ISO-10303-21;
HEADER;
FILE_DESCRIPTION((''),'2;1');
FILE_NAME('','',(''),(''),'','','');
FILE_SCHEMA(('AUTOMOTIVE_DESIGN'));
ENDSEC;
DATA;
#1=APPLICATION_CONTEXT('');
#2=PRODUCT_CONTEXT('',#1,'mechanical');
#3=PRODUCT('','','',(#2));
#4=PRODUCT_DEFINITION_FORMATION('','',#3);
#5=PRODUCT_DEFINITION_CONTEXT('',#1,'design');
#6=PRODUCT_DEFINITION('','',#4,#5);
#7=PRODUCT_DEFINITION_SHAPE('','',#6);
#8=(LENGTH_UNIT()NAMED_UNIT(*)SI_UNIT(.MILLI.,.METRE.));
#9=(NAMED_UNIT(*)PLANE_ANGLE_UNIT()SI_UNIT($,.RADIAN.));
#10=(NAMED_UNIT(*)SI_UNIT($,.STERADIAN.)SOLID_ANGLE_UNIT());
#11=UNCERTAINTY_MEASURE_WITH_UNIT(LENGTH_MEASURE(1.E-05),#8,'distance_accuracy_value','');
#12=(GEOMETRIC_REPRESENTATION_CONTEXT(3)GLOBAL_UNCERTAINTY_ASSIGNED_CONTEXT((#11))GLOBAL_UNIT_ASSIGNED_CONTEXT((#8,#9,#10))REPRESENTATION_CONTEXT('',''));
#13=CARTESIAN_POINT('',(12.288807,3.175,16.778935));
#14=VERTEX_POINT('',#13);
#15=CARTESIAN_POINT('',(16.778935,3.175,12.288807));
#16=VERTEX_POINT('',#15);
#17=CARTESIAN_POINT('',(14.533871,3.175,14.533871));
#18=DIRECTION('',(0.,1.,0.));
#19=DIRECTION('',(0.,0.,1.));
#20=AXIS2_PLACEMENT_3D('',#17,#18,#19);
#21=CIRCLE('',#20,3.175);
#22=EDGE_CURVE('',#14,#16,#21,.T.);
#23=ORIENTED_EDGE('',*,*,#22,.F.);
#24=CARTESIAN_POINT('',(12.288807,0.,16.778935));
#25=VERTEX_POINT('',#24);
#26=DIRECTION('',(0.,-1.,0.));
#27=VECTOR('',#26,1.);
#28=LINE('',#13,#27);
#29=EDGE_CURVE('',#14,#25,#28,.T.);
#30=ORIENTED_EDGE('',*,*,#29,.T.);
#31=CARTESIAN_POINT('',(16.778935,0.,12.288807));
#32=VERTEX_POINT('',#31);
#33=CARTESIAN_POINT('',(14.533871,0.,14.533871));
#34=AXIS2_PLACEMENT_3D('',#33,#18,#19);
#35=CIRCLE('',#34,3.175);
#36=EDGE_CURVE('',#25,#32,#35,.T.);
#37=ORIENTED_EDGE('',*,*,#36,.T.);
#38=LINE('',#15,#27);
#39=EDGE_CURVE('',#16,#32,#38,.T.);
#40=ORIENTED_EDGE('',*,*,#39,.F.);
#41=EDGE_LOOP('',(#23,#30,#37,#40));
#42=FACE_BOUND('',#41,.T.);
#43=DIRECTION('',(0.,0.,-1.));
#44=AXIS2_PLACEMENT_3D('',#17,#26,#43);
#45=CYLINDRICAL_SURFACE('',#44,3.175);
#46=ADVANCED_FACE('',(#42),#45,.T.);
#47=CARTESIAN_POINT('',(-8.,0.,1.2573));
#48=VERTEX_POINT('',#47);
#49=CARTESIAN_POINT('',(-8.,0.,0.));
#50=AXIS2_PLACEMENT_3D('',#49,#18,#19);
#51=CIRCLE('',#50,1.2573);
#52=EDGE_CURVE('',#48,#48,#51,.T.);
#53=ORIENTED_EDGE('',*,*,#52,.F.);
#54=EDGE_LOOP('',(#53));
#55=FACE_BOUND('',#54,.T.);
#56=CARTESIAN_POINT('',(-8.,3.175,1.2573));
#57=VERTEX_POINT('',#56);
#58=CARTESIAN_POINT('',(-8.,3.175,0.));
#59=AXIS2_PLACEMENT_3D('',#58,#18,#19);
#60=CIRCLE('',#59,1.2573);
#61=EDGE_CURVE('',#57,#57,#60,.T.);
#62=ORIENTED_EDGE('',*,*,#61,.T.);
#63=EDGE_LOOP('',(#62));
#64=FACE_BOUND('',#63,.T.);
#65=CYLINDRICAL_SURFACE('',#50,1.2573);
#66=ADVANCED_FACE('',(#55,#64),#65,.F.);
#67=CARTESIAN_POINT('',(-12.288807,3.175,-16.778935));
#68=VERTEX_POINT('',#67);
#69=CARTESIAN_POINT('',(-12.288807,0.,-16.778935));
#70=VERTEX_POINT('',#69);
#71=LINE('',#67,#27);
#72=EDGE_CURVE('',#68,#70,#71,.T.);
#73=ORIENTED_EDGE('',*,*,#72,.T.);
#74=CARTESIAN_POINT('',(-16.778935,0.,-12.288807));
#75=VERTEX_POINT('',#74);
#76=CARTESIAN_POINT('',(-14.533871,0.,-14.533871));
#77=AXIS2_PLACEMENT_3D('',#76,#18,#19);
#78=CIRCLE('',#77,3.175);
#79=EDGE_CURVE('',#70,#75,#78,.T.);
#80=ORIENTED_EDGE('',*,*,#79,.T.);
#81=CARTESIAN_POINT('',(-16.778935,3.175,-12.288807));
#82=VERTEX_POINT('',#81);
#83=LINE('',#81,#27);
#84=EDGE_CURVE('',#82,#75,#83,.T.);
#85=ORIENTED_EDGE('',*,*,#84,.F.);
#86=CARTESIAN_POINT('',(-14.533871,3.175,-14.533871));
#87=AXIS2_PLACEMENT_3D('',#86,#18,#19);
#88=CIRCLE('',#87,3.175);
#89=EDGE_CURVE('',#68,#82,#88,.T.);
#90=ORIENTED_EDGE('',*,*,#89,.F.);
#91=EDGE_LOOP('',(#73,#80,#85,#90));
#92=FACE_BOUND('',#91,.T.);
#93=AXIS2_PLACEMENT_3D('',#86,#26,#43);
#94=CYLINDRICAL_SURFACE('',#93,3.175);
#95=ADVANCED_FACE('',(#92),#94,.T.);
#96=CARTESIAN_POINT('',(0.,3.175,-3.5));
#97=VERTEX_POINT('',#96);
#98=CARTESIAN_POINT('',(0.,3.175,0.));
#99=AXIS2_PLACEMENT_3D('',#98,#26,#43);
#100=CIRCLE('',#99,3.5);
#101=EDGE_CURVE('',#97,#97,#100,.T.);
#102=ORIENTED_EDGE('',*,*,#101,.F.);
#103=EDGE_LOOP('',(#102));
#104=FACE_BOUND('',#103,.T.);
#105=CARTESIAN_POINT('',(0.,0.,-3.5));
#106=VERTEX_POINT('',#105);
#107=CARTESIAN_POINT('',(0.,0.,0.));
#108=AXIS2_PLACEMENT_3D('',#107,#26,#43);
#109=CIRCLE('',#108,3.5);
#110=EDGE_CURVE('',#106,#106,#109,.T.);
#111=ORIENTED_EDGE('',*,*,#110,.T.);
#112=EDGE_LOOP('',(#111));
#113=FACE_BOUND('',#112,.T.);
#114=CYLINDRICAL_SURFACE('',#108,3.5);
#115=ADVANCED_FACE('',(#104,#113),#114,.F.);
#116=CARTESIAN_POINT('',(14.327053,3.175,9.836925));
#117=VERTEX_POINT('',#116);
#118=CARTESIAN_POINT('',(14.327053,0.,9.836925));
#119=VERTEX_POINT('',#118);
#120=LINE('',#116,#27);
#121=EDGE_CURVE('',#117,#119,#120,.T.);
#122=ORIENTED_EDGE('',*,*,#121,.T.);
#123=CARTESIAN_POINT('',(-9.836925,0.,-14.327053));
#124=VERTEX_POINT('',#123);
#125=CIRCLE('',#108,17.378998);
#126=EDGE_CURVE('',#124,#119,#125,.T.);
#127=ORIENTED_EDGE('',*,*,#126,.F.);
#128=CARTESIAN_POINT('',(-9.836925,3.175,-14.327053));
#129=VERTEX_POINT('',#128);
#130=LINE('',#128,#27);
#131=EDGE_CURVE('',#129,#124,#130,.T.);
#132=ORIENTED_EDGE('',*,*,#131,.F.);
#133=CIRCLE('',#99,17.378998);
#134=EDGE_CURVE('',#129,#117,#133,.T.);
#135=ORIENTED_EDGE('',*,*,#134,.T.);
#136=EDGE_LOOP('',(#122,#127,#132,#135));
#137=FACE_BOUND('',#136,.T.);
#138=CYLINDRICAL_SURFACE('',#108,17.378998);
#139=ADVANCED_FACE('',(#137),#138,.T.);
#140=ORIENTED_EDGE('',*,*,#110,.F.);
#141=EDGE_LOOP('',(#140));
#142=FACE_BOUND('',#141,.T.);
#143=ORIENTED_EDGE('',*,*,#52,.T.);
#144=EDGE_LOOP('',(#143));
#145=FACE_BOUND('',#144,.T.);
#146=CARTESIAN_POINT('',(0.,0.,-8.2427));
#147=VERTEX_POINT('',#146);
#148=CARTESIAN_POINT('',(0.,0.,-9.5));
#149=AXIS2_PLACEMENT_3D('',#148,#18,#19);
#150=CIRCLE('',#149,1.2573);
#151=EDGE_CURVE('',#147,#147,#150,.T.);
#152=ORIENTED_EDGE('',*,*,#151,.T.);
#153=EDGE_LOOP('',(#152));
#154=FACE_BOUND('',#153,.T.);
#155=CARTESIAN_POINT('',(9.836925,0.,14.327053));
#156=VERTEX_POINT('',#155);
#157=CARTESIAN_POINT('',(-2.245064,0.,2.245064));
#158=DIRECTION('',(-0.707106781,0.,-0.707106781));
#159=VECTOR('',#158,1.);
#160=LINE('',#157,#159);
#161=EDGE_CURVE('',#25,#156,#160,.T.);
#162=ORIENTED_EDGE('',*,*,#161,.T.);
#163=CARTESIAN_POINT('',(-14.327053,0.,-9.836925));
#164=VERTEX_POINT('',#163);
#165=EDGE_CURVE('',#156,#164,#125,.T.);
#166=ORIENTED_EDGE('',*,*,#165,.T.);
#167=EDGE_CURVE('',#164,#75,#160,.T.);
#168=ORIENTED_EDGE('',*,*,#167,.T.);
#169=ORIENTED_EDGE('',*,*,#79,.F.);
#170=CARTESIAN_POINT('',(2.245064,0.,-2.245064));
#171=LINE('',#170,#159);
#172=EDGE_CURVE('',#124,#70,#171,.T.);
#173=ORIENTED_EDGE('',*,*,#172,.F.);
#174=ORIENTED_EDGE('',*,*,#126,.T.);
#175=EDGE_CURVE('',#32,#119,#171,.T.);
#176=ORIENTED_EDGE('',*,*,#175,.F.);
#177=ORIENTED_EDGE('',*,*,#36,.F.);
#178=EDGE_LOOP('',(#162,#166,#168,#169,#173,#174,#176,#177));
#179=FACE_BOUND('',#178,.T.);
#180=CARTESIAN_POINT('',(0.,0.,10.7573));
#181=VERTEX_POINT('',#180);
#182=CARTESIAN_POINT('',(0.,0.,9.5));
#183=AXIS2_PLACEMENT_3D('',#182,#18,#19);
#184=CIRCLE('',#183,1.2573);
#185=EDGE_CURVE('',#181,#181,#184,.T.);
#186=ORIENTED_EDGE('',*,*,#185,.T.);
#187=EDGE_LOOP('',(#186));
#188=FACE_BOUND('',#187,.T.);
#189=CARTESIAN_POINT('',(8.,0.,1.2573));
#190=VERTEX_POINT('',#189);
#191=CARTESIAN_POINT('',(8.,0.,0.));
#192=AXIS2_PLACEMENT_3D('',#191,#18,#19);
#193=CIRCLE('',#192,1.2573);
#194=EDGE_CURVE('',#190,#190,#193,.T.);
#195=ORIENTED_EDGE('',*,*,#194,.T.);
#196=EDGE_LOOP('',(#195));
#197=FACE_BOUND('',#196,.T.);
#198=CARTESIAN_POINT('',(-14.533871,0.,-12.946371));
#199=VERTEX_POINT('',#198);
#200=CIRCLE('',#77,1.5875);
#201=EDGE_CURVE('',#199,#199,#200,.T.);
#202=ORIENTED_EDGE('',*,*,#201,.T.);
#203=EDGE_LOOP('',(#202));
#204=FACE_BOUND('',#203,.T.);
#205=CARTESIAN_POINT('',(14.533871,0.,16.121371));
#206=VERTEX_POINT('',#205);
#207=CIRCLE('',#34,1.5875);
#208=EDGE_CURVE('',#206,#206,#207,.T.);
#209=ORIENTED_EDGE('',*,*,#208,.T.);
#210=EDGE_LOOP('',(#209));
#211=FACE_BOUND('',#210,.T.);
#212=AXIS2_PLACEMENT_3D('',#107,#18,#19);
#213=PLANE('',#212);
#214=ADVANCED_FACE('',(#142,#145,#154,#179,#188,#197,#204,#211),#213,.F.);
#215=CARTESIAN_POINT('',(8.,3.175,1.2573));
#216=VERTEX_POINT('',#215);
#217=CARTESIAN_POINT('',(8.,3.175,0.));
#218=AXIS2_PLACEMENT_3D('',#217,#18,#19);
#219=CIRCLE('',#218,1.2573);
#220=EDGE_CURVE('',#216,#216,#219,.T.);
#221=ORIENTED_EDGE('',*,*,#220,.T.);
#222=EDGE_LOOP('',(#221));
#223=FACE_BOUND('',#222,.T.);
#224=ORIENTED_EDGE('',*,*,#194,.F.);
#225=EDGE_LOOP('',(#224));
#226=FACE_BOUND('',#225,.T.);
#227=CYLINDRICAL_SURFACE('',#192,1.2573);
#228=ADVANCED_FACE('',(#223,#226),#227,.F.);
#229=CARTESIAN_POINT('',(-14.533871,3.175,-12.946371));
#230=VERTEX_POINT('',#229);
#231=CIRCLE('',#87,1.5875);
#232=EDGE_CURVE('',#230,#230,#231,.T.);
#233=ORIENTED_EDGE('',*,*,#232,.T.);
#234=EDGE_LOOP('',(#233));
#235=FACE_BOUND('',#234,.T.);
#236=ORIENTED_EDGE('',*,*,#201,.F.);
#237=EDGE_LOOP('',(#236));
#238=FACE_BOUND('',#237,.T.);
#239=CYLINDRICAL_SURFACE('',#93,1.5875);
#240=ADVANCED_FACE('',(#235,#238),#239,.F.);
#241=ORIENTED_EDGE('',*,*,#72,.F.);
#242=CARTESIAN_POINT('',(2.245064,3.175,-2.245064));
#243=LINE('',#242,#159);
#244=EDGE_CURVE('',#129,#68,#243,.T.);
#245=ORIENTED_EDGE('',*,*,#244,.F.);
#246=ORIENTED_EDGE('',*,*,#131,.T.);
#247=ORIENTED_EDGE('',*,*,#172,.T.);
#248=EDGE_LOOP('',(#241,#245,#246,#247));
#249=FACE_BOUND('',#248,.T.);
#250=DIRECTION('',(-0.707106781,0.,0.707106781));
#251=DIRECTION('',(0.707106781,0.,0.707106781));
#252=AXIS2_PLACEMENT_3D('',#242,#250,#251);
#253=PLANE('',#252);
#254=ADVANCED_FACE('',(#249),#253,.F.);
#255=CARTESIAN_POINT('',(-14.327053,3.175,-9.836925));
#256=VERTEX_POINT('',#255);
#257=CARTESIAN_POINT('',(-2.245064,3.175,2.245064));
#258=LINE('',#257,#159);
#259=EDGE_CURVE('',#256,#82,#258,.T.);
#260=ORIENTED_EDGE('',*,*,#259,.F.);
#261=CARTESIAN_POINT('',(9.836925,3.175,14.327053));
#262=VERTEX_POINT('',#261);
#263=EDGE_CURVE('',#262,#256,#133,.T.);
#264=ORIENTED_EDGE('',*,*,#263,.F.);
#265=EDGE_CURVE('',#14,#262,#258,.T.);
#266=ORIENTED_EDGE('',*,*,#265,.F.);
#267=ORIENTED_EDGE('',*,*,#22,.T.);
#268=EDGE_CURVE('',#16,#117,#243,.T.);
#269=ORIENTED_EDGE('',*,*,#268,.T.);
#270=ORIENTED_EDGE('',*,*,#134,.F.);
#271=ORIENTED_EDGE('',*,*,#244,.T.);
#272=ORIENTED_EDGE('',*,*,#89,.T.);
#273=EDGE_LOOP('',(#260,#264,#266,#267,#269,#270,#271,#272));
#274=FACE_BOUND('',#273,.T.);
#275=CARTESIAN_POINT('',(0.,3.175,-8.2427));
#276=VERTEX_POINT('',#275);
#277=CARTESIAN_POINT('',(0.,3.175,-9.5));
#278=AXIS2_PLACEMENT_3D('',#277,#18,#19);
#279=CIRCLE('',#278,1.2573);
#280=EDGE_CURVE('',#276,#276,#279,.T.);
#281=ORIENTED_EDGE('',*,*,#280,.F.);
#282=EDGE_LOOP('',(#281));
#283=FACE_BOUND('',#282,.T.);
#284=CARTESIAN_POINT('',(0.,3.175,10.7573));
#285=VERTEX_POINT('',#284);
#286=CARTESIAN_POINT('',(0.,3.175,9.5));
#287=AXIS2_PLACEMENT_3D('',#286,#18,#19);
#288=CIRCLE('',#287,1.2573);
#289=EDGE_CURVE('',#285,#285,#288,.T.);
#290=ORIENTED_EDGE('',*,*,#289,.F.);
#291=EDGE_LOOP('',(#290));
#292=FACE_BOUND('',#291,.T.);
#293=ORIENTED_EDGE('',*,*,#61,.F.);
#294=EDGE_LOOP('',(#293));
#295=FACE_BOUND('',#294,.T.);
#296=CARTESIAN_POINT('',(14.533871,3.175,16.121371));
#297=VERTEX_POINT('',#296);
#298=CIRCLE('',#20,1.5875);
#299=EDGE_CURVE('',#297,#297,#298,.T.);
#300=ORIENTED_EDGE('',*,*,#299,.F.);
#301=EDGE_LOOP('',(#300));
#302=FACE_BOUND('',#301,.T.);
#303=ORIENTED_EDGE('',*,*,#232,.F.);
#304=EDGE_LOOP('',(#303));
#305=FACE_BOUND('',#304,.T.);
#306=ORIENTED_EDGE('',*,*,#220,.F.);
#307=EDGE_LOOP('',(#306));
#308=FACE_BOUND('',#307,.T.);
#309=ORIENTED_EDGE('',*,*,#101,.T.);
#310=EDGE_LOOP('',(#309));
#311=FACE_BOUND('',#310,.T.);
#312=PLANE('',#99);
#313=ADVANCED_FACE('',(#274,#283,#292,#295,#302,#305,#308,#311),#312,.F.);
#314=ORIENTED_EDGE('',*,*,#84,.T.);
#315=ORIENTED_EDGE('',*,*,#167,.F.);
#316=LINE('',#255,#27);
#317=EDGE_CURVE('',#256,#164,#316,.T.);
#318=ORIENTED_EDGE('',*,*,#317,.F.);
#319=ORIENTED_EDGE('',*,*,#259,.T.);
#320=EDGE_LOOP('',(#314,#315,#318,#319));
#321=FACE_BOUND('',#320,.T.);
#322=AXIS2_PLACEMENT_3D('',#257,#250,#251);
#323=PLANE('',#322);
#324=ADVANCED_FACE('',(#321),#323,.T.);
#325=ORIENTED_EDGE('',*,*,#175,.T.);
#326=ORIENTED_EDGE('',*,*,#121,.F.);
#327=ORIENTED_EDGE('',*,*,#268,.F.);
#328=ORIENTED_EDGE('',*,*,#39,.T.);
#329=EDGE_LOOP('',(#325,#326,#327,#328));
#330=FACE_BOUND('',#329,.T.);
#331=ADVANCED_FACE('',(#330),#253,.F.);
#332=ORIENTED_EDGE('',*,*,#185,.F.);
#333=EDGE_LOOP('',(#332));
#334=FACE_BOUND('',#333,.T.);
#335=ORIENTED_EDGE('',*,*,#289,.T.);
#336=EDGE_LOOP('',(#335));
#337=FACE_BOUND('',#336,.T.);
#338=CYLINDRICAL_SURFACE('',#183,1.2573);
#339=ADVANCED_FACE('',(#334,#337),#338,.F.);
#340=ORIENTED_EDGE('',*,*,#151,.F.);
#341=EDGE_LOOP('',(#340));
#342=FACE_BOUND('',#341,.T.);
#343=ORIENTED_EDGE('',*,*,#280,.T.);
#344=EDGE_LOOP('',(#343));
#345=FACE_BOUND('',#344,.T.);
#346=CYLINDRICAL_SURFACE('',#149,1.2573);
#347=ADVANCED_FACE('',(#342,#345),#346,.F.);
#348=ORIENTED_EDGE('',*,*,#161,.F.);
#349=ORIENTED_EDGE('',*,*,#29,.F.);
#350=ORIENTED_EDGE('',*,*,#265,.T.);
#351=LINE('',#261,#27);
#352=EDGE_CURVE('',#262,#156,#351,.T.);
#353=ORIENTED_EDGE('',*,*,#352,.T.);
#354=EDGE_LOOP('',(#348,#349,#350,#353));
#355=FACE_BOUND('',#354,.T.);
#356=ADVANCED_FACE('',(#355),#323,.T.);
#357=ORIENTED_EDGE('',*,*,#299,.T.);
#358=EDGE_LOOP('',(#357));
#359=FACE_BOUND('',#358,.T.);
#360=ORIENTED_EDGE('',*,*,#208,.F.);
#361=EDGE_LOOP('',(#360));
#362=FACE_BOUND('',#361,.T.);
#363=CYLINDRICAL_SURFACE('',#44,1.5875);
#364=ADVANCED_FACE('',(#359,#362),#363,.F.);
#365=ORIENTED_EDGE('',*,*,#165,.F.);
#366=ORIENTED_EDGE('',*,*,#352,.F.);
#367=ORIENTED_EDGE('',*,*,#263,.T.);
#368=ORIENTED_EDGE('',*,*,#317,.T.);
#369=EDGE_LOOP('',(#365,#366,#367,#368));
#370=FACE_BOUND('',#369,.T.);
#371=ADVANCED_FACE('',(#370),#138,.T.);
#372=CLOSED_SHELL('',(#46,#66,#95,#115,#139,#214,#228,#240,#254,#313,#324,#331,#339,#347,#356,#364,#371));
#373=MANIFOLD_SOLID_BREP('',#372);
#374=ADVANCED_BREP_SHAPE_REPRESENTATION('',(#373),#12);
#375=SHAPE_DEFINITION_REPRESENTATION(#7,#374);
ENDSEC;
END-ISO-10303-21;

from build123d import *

# Parameters (mm, degrees)
SKETCH3_R           = 1.2573
CUT_EXTRUDE1_DEPTH  = 25.781842813
SKETCH4_R           = 3.175
SKETCH4_R_2         = 1.5875
BOSS_EXTRUDE1_DEPTH = 3.175


with BuildPart() as part:
    # Sketch1 → Revolve1 (revolve)
    with BuildSketch(Plane.XY, mode=Mode.PRIVATE) as revolve1_sk:
        Polygon((17.3789975, 3.175), (17.3789975, 0), (3.5, 0), (3.5, 3.175), (14.2039975, 3.175), align=None)
    revolve(revolve1_sk.sketch.rotate(Axis((0, 0, 0), (0, 1, 0)), 90), axis=Axis((0, 0, 0), (0, 1, 0)))

    # Sketch3 → Cut-Extrude1 (cut, through all)
    with BuildSketch(Plane(origin=(0, 3.175, 0), x_dir=(1, 0, 0), z_dir=(0, 1, 0))):
        with Locations(Location((0, -9.5, 0), (0, 0, 270))):
            Circle(SKETCH3_R)
        with Locations(Location((-8.000000002, 0, 0), (0, 0, 270))):
            Circle(SKETCH3_R)
        with Locations(Location((0, 9.5, 0), (0, 0, 270))):
            Circle(SKETCH3_R)
        with Locations(Location((8.000000002, 0, 0), (0, 0, 270))):
            Circle(SKETCH3_R)
    extrude(amount=-CUT_EXTRUDE1_DEPTH, mode=Mode.SUBTRACT)

    # Sketch4 → Boss-Extrude1 (add)
    # profile 1 of 6: a face of its own
    with BuildSketch(Plane(origin=(0, 0, 0), x_dir=(1, 0, 0), z_dir=(0, 1, 0))):
        with Locations((-14.533871013, 14.533871013)):
            Circle(SKETCH4_R)
        with Locations(Location((-14.533871013, 14.533871013, 0), (0, 0, 270))):
            Circle(SKETCH4_R_2, mode=Mode.SUBTRACT)
    # profile 2 of 6: a face of its own
    with BuildSketch(Plane(origin=(0, 0, 0), x_dir=(1, 0, 0), z_dir=(0, 1, 0))):
        with BuildLine():
            ThreePointArc((-12.288807066, 12.288806898), (-11.109708346, 13.364278303), (-9.836925233, 14.327053293))
            Line((-9.836925233, 14.327053293), (-12.288806982, 16.778935043))
            ThreePointArc((-12.288806982, 16.778935043), (-11.600553497, 15.74889091), (-11.358871013, 14.533871013))
            ThreePointArc((-11.358871013, 14.533871013), (-11.60055352, 13.31885106), (-12.288807066, 12.288806899))
        make_face()
    # profile 3 of 6: a face of its own
    with BuildSketch(Plane(origin=(0, 0, 0), x_dir=(1, 0, 0), z_dir=(0, 1, 0))):
        with BuildLine():
            ThreePointArc((-14.327053293, 9.836925233), (-13.364278379, 11.109708255), (-12.288807066, 12.288806898))
            ThreePointArc((-12.288807066, 12.288806899), (-14.533871072, 11.358871013), (-16.778935043, 12.288806982))
            Line((-16.778935043, 12.288806982), (-14.327053293, 9.836925233))
        make_face()
    # profile 4 of 6: a face of its own
    with BuildSketch(Plane(origin=(0, 0, 0), x_dir=(1, 0, 0), z_dir=(0, 1, 0))):
        with Locations((14.533871013, -14.533871013)):
            Circle(SKETCH4_R)
        with Locations(Location((14.533871013, -14.533871013, 0), (0, 0, 270))):
            Circle(SKETCH4_R_2, mode=Mode.SUBTRACT)
    # profile 5 of 6: a face of its own
    with BuildSketch(Plane(origin=(0, 0, 0), x_dir=(1, 0, 0), z_dir=(0, 1, 0))):
        with BuildLine():
            ThreePointArc((12.288806982, -16.778935043), (11.358871013, -14.533870968), (12.288807046, -12.288806919))
            ThreePointArc((12.288807046, -12.288806919), (11.109708335, -13.364278313), (9.836925233, -14.327053293))
            Line((9.836925233, -14.327053293), (12.288806982, -16.778935043))
        make_face()
    # profile 6 of 6: a face of its own
    with BuildSketch(Plane(origin=(0, 0, 0), x_dir=(1, 0, 0), z_dir=(0, 1, 0))):
        with BuildLine():
            ThreePointArc((12.288807046, -12.288806919), (14.533871058, -11.358871013), (16.778935043, -12.288806982))
            Line((16.778935043, -12.288806982), (14.327053293, -9.836925233))
            ThreePointArc((14.327053293, -9.836925233), (13.36427837, -11.109708266), (12.288807046, -12.288806919))
        make_face()
    extrude(amount=BOSS_EXTRUDE1_DEPTH)


solid = part.part
